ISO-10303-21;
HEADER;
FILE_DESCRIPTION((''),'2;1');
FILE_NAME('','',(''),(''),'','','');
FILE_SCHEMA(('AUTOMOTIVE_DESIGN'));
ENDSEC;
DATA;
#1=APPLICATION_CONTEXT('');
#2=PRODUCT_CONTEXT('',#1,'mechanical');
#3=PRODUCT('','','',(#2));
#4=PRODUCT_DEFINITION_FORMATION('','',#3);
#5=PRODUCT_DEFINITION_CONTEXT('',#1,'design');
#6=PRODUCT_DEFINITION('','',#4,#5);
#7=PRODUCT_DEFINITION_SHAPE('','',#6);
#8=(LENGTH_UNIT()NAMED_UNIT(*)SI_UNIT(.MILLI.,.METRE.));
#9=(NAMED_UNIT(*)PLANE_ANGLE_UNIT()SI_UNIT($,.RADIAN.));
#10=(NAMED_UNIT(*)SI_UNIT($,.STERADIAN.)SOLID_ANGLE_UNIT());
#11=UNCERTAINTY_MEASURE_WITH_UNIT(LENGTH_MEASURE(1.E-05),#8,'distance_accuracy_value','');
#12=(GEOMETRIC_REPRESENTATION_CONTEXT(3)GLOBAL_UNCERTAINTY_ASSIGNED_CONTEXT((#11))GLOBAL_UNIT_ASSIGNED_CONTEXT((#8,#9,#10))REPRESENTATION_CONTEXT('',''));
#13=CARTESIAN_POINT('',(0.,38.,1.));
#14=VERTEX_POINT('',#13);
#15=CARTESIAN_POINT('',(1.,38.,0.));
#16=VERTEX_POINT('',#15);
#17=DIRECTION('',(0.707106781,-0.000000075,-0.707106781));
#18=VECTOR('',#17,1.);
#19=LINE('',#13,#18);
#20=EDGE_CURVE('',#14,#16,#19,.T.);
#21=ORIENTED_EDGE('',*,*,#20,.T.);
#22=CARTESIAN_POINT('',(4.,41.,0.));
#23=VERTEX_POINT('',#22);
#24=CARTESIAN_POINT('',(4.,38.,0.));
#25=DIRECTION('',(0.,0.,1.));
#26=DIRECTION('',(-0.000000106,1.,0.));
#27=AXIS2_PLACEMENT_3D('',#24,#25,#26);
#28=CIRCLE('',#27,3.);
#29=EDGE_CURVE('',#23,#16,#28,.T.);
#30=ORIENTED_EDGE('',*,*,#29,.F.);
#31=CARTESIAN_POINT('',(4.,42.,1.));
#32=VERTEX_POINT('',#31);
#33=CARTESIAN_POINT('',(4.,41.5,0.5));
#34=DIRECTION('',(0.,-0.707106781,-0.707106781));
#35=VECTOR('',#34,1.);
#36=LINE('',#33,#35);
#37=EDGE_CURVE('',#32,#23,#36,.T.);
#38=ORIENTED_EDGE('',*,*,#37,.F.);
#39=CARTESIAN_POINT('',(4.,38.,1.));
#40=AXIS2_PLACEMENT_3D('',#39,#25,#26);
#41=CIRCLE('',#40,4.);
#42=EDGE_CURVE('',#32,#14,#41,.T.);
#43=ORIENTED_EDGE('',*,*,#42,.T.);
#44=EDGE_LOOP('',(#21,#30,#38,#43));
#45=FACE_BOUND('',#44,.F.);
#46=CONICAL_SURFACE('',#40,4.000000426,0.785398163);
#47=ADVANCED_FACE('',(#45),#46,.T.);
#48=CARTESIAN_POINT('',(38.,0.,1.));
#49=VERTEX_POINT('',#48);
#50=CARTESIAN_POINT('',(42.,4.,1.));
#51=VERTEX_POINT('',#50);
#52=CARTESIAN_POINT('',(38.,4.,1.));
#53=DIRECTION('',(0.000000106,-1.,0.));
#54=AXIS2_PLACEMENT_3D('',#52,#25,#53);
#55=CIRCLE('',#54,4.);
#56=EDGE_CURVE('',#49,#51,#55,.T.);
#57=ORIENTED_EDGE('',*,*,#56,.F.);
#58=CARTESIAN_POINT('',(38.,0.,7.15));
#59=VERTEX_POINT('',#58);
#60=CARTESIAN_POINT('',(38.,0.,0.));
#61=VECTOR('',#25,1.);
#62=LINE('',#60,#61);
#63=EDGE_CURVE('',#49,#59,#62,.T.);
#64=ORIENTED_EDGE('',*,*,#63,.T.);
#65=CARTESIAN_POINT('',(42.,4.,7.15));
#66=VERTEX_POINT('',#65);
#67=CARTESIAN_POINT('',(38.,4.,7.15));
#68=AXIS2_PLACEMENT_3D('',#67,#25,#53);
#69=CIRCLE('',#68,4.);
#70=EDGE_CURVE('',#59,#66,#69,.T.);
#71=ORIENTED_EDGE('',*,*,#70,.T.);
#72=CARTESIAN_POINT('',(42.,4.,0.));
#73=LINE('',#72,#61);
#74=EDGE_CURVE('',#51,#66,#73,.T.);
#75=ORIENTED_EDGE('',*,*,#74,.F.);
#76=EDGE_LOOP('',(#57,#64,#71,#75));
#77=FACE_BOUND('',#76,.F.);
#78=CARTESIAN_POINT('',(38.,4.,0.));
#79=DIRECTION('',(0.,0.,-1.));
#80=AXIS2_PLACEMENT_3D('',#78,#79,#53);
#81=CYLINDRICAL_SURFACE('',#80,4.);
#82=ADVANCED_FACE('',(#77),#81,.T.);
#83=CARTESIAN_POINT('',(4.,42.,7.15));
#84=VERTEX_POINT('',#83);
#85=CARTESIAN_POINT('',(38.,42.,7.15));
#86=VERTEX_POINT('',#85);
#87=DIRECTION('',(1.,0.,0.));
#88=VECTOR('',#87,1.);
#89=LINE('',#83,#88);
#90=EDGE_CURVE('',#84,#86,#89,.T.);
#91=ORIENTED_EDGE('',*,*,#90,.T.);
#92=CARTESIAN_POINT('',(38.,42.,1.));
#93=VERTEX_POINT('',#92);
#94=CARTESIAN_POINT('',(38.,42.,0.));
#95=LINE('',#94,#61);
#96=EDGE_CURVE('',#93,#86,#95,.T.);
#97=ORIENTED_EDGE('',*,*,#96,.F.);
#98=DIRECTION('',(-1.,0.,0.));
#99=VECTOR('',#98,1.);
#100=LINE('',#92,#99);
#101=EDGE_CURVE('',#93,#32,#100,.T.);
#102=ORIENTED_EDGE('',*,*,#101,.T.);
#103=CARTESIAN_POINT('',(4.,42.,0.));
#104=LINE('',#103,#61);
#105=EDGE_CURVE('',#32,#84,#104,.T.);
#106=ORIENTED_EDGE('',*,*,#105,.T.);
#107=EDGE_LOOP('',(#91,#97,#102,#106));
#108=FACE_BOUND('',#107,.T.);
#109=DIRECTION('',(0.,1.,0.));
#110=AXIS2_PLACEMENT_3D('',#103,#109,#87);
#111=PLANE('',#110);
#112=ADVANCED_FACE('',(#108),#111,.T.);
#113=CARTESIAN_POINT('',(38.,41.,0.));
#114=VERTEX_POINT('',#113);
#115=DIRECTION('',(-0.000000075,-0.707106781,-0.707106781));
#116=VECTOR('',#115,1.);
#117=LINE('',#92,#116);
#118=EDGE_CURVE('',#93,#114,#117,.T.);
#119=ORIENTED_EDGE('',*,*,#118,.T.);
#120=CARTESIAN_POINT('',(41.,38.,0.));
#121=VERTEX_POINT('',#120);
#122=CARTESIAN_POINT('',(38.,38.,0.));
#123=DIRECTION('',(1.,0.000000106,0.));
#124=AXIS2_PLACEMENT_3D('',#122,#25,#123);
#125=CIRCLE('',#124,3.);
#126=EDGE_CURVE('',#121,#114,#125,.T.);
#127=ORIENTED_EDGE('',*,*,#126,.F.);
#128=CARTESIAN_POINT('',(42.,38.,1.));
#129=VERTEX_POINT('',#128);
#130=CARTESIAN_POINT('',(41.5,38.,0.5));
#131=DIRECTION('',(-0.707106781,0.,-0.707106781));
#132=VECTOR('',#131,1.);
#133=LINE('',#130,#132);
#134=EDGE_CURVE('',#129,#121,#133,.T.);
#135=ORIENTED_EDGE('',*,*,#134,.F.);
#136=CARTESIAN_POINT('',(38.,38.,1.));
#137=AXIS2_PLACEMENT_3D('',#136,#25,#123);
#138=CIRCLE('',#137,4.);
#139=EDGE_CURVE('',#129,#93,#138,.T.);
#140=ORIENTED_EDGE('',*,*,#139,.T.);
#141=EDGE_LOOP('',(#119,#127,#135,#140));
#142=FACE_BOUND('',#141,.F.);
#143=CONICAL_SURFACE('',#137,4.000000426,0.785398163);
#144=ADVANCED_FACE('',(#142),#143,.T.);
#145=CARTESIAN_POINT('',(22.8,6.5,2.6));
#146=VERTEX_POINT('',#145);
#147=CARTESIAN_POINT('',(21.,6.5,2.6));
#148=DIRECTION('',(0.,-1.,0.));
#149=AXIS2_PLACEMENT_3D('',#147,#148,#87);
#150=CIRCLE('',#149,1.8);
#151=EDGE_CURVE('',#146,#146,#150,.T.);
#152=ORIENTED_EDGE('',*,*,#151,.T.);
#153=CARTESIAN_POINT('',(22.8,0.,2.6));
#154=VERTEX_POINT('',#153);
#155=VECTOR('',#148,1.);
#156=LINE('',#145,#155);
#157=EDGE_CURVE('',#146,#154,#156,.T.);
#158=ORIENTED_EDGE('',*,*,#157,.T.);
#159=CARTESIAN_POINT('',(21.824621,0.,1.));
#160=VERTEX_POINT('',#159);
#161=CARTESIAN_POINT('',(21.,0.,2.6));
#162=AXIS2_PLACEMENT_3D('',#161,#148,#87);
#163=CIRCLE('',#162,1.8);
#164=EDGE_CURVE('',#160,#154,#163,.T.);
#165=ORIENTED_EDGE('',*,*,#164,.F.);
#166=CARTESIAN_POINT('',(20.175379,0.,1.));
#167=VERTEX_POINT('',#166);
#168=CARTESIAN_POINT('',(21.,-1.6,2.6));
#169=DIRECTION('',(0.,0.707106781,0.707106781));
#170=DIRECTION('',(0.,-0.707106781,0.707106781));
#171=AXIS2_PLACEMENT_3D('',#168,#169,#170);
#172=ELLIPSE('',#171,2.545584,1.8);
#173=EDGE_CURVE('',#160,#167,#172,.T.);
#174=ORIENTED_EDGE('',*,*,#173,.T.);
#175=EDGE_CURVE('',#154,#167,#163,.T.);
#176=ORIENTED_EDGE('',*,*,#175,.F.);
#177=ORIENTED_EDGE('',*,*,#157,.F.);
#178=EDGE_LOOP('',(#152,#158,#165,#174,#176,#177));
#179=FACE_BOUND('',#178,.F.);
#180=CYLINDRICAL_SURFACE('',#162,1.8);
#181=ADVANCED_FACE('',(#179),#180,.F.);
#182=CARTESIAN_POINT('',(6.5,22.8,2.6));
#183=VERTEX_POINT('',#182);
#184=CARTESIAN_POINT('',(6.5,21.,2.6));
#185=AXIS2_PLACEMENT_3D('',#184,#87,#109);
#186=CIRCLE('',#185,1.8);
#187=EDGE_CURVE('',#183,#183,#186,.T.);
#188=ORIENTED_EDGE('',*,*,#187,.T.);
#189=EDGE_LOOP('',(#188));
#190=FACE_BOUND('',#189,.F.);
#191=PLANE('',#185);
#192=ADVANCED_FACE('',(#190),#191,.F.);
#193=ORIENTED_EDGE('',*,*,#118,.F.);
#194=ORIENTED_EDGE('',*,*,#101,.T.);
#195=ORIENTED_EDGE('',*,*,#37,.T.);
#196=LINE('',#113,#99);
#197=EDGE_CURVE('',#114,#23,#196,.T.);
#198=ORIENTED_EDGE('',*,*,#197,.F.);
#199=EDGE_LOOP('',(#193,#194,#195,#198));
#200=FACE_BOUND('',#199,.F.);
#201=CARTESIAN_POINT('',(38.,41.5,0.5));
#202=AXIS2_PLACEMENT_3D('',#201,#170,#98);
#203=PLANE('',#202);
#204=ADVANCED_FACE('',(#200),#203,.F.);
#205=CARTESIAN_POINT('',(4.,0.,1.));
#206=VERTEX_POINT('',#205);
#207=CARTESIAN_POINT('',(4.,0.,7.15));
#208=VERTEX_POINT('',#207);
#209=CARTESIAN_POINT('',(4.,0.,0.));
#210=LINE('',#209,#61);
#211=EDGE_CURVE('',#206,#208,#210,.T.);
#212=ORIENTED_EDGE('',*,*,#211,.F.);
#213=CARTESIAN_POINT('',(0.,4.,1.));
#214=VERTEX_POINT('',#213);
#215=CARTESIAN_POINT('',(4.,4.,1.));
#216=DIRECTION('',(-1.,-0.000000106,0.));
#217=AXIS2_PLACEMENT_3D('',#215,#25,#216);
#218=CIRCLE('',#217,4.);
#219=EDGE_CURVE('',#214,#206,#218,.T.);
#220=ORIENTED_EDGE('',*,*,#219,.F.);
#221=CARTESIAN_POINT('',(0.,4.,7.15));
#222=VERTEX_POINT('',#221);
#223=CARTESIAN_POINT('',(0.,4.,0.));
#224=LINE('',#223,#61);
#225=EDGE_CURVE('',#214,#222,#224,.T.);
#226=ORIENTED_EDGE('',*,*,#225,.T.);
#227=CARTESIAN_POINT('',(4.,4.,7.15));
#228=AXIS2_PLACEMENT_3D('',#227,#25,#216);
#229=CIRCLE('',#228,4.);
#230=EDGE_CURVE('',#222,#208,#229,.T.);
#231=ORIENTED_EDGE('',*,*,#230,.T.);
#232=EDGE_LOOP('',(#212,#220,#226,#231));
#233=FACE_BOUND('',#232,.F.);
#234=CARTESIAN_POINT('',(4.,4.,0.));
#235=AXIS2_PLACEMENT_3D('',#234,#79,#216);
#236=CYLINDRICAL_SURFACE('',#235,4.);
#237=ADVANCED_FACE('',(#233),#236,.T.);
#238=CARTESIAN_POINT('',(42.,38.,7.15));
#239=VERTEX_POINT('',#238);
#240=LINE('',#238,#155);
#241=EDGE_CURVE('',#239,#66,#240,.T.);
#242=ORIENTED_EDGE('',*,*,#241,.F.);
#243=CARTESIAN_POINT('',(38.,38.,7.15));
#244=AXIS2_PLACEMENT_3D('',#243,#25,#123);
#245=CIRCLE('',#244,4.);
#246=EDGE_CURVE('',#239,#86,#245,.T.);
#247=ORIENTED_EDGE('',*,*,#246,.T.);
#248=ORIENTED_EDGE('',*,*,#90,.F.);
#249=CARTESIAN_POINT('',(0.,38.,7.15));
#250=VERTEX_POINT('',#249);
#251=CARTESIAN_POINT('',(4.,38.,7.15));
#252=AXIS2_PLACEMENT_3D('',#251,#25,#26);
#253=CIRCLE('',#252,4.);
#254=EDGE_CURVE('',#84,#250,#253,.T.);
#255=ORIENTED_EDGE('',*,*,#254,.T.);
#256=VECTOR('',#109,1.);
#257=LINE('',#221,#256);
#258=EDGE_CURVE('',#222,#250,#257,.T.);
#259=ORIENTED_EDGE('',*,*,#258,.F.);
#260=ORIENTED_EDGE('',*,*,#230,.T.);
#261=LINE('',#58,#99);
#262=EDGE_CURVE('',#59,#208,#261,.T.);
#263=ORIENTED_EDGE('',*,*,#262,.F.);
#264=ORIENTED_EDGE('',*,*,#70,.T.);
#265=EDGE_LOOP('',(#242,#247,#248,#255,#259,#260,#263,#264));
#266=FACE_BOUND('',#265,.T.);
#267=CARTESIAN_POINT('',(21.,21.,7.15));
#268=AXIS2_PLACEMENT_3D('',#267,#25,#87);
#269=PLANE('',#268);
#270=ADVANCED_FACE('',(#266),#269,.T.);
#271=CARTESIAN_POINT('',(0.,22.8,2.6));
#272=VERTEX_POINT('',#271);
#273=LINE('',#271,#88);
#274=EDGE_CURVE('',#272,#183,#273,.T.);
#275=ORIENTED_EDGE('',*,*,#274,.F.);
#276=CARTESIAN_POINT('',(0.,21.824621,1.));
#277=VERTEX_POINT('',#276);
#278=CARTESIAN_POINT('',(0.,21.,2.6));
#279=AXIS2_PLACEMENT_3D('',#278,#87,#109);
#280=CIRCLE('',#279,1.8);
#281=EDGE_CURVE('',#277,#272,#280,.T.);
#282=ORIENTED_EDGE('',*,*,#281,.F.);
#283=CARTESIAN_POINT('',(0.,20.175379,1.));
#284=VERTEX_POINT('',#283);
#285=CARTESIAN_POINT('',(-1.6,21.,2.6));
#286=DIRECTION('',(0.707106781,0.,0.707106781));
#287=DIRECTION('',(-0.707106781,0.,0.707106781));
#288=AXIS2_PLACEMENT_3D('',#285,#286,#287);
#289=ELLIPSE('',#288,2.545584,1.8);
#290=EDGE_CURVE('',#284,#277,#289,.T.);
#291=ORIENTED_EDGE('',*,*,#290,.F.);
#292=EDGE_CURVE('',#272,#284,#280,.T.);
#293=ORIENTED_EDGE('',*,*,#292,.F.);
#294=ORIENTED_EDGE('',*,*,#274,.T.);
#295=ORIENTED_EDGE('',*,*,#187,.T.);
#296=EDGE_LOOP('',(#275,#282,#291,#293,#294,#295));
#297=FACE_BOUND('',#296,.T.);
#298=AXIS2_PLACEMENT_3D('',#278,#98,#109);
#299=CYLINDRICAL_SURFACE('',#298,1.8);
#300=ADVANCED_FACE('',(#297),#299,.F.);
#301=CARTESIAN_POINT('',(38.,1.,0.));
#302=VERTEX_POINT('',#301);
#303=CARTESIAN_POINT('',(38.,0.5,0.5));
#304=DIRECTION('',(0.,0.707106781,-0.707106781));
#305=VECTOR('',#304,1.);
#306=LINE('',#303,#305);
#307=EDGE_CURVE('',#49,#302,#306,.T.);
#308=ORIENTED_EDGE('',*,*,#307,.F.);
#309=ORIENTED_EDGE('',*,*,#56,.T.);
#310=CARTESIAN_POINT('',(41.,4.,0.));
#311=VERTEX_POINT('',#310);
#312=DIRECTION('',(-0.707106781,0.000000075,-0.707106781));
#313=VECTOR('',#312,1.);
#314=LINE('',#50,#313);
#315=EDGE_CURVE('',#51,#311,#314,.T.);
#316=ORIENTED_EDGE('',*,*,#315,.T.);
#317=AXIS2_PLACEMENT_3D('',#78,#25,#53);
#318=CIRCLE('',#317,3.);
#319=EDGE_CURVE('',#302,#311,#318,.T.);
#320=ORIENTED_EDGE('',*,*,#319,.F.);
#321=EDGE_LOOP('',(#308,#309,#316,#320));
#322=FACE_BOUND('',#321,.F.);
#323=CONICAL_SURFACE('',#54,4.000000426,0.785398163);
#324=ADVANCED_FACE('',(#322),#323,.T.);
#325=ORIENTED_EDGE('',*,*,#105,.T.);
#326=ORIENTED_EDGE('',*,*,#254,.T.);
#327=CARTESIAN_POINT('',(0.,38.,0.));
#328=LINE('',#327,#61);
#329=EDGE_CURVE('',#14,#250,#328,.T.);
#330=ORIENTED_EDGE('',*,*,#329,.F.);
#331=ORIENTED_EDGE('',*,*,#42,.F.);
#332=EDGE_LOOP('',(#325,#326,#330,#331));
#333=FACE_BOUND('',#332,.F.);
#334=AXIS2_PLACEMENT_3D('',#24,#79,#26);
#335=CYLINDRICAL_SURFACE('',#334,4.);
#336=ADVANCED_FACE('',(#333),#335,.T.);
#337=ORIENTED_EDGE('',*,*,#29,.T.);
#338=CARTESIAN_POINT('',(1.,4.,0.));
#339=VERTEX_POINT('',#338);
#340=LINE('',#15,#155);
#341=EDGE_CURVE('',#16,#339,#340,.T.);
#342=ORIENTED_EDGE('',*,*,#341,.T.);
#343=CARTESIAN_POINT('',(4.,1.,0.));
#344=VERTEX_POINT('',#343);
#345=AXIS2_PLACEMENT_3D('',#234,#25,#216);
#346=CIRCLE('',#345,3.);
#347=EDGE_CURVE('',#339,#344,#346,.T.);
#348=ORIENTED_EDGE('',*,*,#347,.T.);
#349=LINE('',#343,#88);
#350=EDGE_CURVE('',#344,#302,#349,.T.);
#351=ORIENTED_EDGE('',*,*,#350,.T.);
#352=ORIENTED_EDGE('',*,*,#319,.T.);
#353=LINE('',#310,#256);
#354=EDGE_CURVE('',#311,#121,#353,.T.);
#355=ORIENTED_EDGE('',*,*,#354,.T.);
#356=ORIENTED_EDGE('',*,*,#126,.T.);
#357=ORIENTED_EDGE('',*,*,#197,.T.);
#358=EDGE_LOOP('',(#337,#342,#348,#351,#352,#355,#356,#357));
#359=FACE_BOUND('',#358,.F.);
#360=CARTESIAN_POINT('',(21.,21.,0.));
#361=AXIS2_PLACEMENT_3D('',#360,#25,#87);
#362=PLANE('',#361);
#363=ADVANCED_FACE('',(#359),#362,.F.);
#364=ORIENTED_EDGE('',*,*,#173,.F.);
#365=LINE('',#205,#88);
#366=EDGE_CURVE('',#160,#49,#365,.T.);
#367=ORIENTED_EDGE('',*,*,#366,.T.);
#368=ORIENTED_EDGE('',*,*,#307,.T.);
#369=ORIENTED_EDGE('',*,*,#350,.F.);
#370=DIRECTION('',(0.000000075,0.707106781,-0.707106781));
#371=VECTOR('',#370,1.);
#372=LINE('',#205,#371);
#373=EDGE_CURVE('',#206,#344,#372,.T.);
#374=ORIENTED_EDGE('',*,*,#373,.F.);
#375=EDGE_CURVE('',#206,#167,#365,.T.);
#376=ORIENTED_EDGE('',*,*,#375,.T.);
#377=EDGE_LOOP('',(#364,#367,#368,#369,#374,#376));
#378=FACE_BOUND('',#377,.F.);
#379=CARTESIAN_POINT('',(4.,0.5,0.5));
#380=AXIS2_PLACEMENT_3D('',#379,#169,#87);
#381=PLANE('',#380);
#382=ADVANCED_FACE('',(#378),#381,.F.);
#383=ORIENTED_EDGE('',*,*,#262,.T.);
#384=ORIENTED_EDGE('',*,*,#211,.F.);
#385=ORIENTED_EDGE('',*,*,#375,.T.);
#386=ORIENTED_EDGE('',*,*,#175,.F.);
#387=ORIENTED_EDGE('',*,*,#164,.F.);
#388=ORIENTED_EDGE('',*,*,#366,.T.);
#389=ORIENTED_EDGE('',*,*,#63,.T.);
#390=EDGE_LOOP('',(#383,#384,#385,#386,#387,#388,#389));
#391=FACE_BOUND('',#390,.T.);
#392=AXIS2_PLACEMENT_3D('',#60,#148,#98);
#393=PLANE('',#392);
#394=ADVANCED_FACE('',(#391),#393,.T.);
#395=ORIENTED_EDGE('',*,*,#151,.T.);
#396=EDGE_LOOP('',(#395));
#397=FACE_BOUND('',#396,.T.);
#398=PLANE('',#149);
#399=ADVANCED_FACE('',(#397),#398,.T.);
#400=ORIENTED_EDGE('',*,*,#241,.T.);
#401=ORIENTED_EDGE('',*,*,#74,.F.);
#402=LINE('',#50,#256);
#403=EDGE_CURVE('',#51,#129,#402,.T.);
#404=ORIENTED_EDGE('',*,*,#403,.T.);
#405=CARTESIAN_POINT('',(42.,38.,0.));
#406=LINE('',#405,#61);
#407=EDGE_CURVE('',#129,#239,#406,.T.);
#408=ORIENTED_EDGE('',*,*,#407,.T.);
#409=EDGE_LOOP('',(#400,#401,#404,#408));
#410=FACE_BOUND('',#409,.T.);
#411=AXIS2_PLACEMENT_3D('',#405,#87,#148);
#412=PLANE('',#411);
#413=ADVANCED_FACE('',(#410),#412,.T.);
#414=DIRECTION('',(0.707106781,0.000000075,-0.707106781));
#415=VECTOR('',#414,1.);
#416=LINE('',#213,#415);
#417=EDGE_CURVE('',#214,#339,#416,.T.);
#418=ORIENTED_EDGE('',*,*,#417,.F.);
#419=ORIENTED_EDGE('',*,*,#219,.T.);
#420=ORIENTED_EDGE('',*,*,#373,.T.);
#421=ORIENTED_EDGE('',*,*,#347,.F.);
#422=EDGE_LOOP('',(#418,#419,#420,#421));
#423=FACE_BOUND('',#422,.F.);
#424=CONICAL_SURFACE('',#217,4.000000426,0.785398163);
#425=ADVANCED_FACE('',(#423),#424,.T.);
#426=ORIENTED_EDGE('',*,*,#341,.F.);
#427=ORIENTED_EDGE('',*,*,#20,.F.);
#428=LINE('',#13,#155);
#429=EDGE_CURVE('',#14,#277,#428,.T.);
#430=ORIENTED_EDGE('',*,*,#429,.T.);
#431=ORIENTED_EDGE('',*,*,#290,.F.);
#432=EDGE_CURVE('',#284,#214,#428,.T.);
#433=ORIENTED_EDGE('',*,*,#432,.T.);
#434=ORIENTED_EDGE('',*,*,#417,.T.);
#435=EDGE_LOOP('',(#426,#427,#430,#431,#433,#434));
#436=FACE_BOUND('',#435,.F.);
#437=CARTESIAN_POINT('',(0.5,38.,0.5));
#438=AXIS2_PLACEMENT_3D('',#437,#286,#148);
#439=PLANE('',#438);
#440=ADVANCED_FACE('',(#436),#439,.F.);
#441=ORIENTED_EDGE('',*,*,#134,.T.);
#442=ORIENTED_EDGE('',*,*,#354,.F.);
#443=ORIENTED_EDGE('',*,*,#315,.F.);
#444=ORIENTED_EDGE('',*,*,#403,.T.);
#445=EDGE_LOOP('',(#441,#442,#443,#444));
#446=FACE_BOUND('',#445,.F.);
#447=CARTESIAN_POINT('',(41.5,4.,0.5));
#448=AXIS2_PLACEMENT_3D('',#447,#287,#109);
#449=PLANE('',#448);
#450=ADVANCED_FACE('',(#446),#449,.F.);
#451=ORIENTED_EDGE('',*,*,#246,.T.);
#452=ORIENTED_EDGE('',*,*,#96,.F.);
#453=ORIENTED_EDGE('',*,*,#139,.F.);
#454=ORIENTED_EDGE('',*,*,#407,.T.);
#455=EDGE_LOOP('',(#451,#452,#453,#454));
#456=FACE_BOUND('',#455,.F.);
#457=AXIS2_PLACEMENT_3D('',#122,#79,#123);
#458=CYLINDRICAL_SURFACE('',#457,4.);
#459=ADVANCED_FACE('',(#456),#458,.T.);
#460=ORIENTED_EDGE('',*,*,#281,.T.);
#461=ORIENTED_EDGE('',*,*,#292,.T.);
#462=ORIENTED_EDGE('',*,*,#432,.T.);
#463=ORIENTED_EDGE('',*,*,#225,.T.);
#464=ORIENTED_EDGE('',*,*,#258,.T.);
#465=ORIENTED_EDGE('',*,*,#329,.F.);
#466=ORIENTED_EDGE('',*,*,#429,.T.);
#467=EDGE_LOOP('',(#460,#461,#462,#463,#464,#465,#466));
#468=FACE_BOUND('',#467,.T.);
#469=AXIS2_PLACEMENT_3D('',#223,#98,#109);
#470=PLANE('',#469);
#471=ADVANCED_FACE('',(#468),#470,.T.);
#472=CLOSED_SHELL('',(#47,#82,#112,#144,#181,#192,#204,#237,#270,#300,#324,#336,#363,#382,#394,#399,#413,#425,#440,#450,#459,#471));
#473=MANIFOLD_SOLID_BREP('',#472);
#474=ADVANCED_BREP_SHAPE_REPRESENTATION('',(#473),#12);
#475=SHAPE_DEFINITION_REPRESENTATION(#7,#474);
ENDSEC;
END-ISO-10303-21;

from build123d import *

# Parameters (mm, degrees)
PAD031_DEPTH           = 7.15
CHAMFER003_SIZE        = 1
SKETCH126_R            = 1.8
POCKET033_DEPTH        = 5
SKETCH135_R            = 1.8
POCKET038_DEPTH        = 5
LINEARPATTERN032_COUNT = 1
LINEARPATTERN032_PITCH = 0
LINEARPATTERN033_COUNT = 1
LINEARPATTERN033_PITCH = 0
SKETCH136_R            = 1.8
POCKET039_DEPTH        = 5
SKETCH137_R            = 1.8
POCKET040_DEPTH        = 5


with BuildPart() as part:
    # Sketch127 → Pad031 (new body)
    with BuildSketch(Plane.XY):
        with BuildLine():
            ThreePointArc((4, 42), (1.171573, 40.828427), (0, 38))
            Line((0, 4), (0, 38))
            ThreePointArc((0, 4), (1.171573, 1.171573), (4, 0))
            Line((38, 0), (4, 0))
            ThreePointArc((38, 0), (40.828427, 1.171573), (42, 4))
            Line((42, 38), (42, 4))
            ThreePointArc((42, 38), (40.828427, 40.828427), (38, 42))
            Line((4, 42), (38, 42))
        make_face()
    extrude(amount=PAD031_DEPTH)

    # Chamfer003
    chamfer003_edges = [part.edges().sort_by_distance(p)[0] for p in [
        (1.171573, 1.171573, 0),
        (0, 21, 0),
        (21, 0, 0),
        (40.828427, 1.171573, 0),
        (42, 21, 0),
        (40.828427, 40.828427, 0),
        (21, 42, 0),
        (1.171573, 40.828427, 0),
    ]]
    chamfer(chamfer003_edges, length=CHAMFER003_SIZE)

    # Sketch126 → Pocket033 (cut)
    with BuildSketch(Plane.XZ):
        with Locations((21, 2.6)):
            Circle(SKETCH126_R)
    pocket033 = extrude(amount=-POCKET033_DEPTH, mode=Mode.SUBTRACT)

    # Sketch135 → Pocket038 (cut)
    with BuildSketch(Plane.YZ):
        with Locations((21, 2.6)):
            Circle(SKETCH135_R)
    pocket038 = extrude(amount=POCKET038_DEPTH, mode=Mode.SUBTRACT)

    # LinearPattern032: Pocket033 ×1
    with Locations(*[(i * LINEARPATTERN032_PITCH, 0, 0) for i in range(1, LINEARPATTERN032_COUNT)]):
        add(pocket033, mode=Mode.SUBTRACT)

    # LinearPattern033: Pocket038 ×1
    with Locations(*[(0, i * LINEARPATTERN033_PITCH, 0) for i in range(1, LINEARPATTERN033_COUNT)]):
        add(pocket038, mode=Mode.SUBTRACT)

    # Sketch136 → Pocket039 (cut)
    with BuildSketch(Plane.XZ.offset(-1.5)):
        with Locations((21, 2.6)):
            Circle(SKETCH136_R)
    extrude(amount=-POCKET039_DEPTH, mode=Mode.SUBTRACT)

    # Sketch137 → Pocket040 (cut)
    with BuildSketch(Plane.YZ.offset(1.5)):
        with Locations((21, 2.6)):
            Circle(SKETCH137_R)
    extrude(amount=POCKET040_DEPTH, mode=Mode.SUBTRACT)


solid = part.part
